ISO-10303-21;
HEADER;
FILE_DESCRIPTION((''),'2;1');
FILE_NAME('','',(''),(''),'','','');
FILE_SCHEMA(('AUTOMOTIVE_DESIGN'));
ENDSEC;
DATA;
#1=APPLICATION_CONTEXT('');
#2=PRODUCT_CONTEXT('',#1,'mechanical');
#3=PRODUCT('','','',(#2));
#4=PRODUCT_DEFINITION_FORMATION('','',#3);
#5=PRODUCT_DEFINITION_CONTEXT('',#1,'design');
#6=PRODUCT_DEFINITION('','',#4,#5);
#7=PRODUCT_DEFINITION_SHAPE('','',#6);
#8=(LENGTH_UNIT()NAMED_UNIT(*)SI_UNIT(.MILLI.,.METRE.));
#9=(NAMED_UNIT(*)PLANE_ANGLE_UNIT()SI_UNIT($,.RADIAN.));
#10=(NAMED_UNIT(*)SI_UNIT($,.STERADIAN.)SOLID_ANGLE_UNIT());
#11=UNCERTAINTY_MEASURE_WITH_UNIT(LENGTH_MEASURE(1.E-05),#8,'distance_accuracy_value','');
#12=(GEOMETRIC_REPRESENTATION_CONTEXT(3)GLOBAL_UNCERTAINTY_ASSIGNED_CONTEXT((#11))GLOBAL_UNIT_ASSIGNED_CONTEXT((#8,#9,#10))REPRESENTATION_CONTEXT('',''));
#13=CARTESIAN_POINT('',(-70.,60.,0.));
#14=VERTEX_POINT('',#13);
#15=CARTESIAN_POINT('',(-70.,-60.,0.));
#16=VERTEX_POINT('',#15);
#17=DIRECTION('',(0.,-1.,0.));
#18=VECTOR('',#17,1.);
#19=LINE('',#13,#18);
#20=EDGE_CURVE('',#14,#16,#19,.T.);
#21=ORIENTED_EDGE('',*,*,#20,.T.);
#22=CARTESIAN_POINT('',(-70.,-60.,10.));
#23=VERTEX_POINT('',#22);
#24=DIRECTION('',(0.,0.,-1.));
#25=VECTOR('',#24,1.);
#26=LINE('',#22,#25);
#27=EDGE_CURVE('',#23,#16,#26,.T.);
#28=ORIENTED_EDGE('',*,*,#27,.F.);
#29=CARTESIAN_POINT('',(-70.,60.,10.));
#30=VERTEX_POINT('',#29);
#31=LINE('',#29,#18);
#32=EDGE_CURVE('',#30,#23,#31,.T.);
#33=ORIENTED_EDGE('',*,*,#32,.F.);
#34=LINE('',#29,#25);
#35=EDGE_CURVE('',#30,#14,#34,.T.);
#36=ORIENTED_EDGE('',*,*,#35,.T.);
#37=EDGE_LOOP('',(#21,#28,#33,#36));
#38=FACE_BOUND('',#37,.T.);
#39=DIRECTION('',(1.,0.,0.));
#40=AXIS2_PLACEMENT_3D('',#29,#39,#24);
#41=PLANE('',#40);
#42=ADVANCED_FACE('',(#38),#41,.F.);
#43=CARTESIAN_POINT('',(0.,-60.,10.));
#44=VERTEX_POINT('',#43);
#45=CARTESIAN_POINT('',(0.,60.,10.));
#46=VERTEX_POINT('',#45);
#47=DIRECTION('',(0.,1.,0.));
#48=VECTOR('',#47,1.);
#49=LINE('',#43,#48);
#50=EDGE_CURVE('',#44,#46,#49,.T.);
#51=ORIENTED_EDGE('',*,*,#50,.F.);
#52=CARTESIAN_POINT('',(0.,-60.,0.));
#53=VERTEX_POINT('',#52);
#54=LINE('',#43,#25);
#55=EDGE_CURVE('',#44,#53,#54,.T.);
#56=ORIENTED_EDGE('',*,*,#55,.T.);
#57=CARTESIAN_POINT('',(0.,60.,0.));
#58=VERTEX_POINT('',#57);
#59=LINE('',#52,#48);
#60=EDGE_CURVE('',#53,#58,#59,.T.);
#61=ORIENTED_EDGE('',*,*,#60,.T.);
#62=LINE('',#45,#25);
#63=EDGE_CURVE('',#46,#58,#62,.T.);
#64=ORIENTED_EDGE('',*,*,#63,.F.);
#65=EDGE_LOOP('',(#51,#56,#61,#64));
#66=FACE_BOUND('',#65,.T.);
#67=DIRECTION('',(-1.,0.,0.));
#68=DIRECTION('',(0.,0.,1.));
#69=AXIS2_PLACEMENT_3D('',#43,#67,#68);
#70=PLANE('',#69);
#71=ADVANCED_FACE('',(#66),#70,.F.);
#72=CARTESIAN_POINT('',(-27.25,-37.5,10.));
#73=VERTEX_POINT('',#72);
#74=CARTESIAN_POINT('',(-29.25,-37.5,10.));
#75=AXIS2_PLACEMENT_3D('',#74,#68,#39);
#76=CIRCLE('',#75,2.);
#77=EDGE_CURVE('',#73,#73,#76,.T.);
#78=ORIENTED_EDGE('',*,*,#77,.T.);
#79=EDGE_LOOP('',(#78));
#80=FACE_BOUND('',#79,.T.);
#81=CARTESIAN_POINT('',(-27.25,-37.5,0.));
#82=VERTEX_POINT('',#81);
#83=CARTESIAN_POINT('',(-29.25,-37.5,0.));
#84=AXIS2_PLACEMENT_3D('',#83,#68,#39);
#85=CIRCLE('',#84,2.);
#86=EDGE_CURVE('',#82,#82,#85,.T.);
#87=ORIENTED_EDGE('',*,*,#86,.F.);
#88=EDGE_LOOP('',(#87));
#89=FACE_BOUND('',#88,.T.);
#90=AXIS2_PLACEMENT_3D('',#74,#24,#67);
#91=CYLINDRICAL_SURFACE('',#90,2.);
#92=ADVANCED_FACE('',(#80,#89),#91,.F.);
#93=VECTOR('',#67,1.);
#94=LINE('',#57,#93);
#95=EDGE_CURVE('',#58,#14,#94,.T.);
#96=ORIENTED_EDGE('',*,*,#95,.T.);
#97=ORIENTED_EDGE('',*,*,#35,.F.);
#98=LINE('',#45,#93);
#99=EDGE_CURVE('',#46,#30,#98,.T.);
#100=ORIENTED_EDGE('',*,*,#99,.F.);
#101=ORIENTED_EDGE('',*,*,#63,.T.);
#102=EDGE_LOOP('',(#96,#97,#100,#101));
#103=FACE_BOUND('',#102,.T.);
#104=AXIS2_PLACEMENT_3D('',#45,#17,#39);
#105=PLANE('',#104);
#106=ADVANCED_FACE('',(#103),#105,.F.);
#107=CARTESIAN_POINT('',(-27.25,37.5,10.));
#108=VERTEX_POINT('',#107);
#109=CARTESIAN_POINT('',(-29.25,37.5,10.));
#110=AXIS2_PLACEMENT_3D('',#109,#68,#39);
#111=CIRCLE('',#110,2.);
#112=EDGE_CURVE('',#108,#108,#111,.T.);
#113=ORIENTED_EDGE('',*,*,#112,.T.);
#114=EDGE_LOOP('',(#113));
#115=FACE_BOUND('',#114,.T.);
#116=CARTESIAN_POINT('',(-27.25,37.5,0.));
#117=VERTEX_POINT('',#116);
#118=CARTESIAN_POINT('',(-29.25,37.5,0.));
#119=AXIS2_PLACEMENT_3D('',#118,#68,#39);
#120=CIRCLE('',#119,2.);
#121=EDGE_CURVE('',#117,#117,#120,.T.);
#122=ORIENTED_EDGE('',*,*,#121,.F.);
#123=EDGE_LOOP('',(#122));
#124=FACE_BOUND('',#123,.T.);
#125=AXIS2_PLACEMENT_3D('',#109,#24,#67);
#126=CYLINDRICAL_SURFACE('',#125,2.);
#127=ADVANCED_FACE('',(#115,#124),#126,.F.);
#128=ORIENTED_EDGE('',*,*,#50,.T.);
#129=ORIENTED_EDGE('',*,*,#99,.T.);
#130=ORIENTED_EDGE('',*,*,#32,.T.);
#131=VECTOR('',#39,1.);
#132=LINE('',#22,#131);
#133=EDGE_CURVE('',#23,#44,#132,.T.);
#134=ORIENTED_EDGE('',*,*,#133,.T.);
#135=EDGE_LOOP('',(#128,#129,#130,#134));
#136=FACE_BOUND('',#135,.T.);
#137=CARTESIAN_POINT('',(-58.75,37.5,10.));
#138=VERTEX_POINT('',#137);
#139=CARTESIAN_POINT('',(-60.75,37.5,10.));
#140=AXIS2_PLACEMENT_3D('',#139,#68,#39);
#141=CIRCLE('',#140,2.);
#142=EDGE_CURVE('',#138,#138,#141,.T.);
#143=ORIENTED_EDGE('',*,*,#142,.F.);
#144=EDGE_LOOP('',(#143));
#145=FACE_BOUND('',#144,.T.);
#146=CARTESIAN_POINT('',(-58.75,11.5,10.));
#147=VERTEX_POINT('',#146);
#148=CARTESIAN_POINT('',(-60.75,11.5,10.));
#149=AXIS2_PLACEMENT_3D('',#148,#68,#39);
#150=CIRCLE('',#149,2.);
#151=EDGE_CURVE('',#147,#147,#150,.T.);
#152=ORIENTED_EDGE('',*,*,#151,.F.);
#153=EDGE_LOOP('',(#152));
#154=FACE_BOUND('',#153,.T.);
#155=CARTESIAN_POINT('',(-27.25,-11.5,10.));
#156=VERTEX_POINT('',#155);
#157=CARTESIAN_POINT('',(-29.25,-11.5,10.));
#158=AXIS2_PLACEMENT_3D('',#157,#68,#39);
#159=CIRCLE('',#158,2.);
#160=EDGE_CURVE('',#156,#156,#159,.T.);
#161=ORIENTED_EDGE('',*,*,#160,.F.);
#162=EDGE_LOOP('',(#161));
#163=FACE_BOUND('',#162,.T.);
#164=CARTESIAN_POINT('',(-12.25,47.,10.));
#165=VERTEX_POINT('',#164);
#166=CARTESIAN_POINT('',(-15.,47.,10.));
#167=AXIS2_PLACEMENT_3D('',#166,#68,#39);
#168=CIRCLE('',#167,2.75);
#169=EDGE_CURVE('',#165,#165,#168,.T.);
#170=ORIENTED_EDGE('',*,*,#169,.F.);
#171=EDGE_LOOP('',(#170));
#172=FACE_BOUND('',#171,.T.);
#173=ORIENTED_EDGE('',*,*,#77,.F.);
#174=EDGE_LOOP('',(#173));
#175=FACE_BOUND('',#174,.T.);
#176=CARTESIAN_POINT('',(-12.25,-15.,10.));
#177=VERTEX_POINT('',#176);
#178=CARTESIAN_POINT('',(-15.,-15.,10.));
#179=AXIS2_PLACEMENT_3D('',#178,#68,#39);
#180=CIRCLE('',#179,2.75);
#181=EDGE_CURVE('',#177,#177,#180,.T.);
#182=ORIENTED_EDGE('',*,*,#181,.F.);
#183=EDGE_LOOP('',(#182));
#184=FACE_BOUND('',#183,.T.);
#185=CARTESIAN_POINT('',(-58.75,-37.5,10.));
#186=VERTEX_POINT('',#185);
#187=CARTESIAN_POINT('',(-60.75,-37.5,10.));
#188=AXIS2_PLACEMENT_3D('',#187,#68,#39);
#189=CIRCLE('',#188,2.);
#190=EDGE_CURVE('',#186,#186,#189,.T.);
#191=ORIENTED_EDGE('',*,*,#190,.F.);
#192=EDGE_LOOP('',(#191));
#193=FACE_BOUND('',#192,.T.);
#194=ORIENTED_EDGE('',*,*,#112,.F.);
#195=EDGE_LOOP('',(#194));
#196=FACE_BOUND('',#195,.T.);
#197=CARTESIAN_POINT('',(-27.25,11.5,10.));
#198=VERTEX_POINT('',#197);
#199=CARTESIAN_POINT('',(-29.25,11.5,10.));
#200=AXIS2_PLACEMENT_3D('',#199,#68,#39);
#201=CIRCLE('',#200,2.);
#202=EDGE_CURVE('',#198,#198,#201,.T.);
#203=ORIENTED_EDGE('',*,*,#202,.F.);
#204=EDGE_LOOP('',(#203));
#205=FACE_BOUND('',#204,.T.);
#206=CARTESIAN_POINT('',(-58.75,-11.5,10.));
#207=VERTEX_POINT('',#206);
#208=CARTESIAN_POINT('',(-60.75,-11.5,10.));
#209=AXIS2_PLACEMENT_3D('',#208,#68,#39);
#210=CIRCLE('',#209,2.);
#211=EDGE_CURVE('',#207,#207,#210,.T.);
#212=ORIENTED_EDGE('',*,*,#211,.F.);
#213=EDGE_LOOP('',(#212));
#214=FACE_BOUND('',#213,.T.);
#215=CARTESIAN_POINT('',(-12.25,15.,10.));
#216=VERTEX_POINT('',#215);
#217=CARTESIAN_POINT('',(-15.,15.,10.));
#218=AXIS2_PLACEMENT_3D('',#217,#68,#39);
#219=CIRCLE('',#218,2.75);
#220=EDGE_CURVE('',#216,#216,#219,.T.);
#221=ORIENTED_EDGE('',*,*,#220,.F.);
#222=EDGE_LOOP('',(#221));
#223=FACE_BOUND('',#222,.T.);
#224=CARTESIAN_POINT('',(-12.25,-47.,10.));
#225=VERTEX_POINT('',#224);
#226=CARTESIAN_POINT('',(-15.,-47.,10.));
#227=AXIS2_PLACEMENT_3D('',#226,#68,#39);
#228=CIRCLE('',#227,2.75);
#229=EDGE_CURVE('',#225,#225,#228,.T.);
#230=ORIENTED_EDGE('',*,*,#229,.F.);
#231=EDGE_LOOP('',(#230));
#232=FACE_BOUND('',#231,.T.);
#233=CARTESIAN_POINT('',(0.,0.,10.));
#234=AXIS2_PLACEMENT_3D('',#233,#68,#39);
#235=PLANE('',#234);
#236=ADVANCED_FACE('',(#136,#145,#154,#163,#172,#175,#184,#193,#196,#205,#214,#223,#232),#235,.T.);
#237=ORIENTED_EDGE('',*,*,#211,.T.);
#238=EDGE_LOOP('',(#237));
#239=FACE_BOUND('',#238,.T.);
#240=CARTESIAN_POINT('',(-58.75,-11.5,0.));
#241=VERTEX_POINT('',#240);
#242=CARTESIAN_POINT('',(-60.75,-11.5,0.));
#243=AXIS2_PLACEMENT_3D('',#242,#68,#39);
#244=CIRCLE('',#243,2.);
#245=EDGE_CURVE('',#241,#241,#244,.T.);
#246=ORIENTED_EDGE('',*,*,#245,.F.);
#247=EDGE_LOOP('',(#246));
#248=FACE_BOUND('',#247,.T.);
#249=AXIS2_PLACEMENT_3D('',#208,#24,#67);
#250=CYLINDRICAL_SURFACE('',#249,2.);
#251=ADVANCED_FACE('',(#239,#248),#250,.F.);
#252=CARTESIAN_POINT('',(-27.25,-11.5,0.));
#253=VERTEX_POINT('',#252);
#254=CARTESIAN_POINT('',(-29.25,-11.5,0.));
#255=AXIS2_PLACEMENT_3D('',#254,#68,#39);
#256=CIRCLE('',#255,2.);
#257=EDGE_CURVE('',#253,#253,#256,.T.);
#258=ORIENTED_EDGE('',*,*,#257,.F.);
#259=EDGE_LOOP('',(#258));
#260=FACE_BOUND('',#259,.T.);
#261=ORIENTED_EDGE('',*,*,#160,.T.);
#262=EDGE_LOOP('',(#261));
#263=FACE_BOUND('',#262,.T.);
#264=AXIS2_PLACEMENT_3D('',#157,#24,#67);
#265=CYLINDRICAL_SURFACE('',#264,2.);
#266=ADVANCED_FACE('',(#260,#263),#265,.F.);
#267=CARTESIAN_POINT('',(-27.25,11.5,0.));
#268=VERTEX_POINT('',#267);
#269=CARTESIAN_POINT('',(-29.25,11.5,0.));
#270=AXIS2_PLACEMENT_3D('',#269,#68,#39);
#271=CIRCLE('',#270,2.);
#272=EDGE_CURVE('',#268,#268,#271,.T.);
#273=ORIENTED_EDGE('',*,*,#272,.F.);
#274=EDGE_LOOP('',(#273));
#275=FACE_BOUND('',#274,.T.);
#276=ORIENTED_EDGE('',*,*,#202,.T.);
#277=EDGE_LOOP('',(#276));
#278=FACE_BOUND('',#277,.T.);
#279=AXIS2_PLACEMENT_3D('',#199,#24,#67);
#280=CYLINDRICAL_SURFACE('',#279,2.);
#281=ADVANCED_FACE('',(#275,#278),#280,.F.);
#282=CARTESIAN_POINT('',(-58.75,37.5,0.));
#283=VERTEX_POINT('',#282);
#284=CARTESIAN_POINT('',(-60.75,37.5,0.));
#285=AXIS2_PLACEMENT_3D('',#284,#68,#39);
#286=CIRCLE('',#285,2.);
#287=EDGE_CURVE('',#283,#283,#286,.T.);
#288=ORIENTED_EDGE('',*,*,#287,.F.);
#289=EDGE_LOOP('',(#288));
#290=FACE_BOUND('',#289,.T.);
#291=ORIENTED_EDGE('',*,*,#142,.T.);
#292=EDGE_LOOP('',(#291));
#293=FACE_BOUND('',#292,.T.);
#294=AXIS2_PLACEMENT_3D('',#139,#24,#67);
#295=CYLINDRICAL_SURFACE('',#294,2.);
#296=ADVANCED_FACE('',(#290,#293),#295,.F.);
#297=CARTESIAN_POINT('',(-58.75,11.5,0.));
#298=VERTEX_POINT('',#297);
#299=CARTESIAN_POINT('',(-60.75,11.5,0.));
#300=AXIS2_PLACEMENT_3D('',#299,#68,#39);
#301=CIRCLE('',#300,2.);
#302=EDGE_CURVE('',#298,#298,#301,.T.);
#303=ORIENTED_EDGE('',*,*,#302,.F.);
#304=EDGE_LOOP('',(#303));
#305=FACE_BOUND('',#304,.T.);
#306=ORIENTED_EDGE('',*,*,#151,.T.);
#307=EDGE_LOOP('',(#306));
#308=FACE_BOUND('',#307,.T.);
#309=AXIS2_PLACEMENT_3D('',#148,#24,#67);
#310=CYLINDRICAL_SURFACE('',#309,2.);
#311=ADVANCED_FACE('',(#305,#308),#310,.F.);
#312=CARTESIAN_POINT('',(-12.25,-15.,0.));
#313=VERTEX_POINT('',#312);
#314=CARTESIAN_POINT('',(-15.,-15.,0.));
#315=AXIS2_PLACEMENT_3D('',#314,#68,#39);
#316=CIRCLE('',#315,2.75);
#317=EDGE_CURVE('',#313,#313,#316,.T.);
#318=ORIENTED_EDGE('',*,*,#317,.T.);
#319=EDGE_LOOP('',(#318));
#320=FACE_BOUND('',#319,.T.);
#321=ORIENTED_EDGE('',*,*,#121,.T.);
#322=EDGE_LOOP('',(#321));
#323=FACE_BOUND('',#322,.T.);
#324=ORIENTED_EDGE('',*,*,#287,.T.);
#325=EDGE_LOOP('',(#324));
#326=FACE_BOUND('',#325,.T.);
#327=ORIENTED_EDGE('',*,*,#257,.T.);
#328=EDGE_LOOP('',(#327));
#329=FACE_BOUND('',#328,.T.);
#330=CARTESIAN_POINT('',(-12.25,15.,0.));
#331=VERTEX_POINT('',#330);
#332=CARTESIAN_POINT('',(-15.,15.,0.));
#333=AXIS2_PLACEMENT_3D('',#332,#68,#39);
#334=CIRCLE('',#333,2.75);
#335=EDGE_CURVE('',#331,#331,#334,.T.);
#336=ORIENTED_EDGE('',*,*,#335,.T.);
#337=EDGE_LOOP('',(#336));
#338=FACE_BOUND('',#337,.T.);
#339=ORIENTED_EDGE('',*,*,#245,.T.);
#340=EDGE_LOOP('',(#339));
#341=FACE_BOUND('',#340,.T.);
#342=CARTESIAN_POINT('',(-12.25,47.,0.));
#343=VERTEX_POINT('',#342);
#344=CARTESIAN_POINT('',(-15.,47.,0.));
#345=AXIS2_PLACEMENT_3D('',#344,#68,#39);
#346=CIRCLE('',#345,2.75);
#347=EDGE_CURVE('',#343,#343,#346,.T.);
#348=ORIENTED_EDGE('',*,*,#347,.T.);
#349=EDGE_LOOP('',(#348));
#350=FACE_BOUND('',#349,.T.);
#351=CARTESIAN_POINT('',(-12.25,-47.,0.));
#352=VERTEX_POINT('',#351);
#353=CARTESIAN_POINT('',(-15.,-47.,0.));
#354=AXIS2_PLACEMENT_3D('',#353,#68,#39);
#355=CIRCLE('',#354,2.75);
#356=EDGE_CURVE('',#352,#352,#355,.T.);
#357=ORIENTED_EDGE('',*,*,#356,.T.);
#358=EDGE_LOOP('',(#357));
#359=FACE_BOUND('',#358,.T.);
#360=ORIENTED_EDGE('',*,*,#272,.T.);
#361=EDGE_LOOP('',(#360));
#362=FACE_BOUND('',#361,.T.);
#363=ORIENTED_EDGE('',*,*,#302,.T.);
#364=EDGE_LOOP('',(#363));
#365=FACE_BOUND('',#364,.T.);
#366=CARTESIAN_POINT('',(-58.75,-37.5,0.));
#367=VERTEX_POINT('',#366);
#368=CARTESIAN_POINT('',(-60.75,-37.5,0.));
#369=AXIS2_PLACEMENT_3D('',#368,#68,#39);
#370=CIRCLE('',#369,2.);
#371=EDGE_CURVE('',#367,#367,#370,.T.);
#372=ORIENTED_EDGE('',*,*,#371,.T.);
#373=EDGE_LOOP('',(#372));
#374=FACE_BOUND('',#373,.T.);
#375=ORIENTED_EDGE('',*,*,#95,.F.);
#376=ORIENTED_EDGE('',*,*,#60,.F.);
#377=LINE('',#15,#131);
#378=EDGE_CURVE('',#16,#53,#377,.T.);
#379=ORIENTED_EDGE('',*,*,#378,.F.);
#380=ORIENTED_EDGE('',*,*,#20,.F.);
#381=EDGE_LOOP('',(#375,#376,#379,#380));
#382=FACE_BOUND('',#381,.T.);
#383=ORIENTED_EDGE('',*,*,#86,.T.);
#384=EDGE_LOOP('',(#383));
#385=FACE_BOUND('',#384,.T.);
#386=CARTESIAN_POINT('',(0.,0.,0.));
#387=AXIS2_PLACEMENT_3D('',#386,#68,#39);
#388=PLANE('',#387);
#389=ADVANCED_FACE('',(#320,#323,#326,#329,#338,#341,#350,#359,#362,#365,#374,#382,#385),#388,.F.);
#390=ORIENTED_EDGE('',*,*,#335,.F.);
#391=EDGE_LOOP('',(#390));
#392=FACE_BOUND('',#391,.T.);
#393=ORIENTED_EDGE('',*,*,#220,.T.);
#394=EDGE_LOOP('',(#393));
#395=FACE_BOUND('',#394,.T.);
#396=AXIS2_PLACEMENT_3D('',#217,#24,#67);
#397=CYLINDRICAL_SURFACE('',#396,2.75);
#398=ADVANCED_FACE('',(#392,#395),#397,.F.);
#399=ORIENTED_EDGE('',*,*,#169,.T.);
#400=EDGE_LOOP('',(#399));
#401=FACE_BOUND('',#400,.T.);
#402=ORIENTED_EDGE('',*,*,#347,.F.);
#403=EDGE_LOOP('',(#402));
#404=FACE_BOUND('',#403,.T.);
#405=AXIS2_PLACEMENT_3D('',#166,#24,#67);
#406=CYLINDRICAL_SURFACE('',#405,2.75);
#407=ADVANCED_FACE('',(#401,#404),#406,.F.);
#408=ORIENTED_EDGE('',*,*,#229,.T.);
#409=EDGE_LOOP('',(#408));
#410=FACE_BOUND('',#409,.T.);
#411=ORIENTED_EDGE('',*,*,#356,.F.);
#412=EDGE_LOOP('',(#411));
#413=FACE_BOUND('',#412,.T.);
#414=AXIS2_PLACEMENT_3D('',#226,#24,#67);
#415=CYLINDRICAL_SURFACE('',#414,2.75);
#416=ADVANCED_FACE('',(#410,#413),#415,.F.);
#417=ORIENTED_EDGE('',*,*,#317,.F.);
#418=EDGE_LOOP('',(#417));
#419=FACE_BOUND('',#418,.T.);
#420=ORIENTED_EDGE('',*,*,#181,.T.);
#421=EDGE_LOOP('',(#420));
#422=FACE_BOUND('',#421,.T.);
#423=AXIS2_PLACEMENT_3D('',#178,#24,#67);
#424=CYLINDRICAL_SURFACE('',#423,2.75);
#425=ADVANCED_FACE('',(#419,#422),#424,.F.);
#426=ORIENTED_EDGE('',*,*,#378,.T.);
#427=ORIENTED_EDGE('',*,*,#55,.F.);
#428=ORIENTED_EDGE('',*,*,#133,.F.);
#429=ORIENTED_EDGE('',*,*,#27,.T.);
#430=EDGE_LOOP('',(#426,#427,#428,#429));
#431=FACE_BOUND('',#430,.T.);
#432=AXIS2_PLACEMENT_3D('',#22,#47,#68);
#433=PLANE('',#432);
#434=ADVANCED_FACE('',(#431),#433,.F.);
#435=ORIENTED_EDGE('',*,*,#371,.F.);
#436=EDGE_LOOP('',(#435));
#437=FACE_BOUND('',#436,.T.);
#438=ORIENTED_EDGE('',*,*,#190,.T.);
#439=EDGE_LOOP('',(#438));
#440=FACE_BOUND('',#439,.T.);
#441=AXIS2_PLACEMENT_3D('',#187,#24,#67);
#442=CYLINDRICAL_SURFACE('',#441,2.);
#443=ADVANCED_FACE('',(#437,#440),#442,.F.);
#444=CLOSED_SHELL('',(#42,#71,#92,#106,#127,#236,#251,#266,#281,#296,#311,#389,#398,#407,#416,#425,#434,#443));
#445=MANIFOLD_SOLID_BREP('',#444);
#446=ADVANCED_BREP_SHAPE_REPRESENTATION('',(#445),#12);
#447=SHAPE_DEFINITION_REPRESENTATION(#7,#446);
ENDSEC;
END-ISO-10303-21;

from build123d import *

# Parameters (mm, degrees)
SKETCH1_W           = 70
SKETCH1_H           = 120
SKETCH1_R           = 2
SKETCH1_R_2         = 2.75
BOSS_EXTRUDE1_DEPTH = 10


with BuildPart() as part:
    # Sketch1 → Boss-Extrude1 (new body)
    with BuildSketch(Plane.XY):
        with Locations((-35, 0)):
            Rectangle(SKETCH1_W, SKETCH1_H)
        with Locations((-60.75, 37.5)):
            Circle(SKETCH1_R, mode=Mode.SUBTRACT)
        with Locations((-29.25, 37.5)):
            Circle(SKETCH1_R, mode=Mode.SUBTRACT)
        with Locations((-60.75, 11.5)):
            Circle(SKETCH1_R, mode=Mode.SUBTRACT)
        with Locations((-29.25, 11.5)):
            Circle(SKETCH1_R, mode=Mode.SUBTRACT)
        with Locations((-60.75, -11.5)):
            Circle(SKETCH1_R, mode=Mode.SUBTRACT)
        with Locations((-29.25, -11.5)):
            Circle(SKETCH1_R, mode=Mode.SUBTRACT)
        with Locations((-29.25, -37.5)):
            Circle(SKETCH1_R, mode=Mode.SUBTRACT)
        with Locations((-60.75, -37.5)):
            Circle(SKETCH1_R, mode=Mode.SUBTRACT)
        with Locations((-15, 47)):
            Circle(SKETCH1_R_2, mode=Mode.SUBTRACT)
        with Locations((-15, 15)):
            Circle(SKETCH1_R_2, mode=Mode.SUBTRACT)
        with Locations((-15, -15)):
            Circle(SKETCH1_R_2, mode=Mode.SUBTRACT)
        with Locations((-15, -47)):
            Circle(SKETCH1_R_2, mode=Mode.SUBTRACT)
    extrude(amount=BOSS_EXTRUDE1_DEPTH)


solid = part.part
